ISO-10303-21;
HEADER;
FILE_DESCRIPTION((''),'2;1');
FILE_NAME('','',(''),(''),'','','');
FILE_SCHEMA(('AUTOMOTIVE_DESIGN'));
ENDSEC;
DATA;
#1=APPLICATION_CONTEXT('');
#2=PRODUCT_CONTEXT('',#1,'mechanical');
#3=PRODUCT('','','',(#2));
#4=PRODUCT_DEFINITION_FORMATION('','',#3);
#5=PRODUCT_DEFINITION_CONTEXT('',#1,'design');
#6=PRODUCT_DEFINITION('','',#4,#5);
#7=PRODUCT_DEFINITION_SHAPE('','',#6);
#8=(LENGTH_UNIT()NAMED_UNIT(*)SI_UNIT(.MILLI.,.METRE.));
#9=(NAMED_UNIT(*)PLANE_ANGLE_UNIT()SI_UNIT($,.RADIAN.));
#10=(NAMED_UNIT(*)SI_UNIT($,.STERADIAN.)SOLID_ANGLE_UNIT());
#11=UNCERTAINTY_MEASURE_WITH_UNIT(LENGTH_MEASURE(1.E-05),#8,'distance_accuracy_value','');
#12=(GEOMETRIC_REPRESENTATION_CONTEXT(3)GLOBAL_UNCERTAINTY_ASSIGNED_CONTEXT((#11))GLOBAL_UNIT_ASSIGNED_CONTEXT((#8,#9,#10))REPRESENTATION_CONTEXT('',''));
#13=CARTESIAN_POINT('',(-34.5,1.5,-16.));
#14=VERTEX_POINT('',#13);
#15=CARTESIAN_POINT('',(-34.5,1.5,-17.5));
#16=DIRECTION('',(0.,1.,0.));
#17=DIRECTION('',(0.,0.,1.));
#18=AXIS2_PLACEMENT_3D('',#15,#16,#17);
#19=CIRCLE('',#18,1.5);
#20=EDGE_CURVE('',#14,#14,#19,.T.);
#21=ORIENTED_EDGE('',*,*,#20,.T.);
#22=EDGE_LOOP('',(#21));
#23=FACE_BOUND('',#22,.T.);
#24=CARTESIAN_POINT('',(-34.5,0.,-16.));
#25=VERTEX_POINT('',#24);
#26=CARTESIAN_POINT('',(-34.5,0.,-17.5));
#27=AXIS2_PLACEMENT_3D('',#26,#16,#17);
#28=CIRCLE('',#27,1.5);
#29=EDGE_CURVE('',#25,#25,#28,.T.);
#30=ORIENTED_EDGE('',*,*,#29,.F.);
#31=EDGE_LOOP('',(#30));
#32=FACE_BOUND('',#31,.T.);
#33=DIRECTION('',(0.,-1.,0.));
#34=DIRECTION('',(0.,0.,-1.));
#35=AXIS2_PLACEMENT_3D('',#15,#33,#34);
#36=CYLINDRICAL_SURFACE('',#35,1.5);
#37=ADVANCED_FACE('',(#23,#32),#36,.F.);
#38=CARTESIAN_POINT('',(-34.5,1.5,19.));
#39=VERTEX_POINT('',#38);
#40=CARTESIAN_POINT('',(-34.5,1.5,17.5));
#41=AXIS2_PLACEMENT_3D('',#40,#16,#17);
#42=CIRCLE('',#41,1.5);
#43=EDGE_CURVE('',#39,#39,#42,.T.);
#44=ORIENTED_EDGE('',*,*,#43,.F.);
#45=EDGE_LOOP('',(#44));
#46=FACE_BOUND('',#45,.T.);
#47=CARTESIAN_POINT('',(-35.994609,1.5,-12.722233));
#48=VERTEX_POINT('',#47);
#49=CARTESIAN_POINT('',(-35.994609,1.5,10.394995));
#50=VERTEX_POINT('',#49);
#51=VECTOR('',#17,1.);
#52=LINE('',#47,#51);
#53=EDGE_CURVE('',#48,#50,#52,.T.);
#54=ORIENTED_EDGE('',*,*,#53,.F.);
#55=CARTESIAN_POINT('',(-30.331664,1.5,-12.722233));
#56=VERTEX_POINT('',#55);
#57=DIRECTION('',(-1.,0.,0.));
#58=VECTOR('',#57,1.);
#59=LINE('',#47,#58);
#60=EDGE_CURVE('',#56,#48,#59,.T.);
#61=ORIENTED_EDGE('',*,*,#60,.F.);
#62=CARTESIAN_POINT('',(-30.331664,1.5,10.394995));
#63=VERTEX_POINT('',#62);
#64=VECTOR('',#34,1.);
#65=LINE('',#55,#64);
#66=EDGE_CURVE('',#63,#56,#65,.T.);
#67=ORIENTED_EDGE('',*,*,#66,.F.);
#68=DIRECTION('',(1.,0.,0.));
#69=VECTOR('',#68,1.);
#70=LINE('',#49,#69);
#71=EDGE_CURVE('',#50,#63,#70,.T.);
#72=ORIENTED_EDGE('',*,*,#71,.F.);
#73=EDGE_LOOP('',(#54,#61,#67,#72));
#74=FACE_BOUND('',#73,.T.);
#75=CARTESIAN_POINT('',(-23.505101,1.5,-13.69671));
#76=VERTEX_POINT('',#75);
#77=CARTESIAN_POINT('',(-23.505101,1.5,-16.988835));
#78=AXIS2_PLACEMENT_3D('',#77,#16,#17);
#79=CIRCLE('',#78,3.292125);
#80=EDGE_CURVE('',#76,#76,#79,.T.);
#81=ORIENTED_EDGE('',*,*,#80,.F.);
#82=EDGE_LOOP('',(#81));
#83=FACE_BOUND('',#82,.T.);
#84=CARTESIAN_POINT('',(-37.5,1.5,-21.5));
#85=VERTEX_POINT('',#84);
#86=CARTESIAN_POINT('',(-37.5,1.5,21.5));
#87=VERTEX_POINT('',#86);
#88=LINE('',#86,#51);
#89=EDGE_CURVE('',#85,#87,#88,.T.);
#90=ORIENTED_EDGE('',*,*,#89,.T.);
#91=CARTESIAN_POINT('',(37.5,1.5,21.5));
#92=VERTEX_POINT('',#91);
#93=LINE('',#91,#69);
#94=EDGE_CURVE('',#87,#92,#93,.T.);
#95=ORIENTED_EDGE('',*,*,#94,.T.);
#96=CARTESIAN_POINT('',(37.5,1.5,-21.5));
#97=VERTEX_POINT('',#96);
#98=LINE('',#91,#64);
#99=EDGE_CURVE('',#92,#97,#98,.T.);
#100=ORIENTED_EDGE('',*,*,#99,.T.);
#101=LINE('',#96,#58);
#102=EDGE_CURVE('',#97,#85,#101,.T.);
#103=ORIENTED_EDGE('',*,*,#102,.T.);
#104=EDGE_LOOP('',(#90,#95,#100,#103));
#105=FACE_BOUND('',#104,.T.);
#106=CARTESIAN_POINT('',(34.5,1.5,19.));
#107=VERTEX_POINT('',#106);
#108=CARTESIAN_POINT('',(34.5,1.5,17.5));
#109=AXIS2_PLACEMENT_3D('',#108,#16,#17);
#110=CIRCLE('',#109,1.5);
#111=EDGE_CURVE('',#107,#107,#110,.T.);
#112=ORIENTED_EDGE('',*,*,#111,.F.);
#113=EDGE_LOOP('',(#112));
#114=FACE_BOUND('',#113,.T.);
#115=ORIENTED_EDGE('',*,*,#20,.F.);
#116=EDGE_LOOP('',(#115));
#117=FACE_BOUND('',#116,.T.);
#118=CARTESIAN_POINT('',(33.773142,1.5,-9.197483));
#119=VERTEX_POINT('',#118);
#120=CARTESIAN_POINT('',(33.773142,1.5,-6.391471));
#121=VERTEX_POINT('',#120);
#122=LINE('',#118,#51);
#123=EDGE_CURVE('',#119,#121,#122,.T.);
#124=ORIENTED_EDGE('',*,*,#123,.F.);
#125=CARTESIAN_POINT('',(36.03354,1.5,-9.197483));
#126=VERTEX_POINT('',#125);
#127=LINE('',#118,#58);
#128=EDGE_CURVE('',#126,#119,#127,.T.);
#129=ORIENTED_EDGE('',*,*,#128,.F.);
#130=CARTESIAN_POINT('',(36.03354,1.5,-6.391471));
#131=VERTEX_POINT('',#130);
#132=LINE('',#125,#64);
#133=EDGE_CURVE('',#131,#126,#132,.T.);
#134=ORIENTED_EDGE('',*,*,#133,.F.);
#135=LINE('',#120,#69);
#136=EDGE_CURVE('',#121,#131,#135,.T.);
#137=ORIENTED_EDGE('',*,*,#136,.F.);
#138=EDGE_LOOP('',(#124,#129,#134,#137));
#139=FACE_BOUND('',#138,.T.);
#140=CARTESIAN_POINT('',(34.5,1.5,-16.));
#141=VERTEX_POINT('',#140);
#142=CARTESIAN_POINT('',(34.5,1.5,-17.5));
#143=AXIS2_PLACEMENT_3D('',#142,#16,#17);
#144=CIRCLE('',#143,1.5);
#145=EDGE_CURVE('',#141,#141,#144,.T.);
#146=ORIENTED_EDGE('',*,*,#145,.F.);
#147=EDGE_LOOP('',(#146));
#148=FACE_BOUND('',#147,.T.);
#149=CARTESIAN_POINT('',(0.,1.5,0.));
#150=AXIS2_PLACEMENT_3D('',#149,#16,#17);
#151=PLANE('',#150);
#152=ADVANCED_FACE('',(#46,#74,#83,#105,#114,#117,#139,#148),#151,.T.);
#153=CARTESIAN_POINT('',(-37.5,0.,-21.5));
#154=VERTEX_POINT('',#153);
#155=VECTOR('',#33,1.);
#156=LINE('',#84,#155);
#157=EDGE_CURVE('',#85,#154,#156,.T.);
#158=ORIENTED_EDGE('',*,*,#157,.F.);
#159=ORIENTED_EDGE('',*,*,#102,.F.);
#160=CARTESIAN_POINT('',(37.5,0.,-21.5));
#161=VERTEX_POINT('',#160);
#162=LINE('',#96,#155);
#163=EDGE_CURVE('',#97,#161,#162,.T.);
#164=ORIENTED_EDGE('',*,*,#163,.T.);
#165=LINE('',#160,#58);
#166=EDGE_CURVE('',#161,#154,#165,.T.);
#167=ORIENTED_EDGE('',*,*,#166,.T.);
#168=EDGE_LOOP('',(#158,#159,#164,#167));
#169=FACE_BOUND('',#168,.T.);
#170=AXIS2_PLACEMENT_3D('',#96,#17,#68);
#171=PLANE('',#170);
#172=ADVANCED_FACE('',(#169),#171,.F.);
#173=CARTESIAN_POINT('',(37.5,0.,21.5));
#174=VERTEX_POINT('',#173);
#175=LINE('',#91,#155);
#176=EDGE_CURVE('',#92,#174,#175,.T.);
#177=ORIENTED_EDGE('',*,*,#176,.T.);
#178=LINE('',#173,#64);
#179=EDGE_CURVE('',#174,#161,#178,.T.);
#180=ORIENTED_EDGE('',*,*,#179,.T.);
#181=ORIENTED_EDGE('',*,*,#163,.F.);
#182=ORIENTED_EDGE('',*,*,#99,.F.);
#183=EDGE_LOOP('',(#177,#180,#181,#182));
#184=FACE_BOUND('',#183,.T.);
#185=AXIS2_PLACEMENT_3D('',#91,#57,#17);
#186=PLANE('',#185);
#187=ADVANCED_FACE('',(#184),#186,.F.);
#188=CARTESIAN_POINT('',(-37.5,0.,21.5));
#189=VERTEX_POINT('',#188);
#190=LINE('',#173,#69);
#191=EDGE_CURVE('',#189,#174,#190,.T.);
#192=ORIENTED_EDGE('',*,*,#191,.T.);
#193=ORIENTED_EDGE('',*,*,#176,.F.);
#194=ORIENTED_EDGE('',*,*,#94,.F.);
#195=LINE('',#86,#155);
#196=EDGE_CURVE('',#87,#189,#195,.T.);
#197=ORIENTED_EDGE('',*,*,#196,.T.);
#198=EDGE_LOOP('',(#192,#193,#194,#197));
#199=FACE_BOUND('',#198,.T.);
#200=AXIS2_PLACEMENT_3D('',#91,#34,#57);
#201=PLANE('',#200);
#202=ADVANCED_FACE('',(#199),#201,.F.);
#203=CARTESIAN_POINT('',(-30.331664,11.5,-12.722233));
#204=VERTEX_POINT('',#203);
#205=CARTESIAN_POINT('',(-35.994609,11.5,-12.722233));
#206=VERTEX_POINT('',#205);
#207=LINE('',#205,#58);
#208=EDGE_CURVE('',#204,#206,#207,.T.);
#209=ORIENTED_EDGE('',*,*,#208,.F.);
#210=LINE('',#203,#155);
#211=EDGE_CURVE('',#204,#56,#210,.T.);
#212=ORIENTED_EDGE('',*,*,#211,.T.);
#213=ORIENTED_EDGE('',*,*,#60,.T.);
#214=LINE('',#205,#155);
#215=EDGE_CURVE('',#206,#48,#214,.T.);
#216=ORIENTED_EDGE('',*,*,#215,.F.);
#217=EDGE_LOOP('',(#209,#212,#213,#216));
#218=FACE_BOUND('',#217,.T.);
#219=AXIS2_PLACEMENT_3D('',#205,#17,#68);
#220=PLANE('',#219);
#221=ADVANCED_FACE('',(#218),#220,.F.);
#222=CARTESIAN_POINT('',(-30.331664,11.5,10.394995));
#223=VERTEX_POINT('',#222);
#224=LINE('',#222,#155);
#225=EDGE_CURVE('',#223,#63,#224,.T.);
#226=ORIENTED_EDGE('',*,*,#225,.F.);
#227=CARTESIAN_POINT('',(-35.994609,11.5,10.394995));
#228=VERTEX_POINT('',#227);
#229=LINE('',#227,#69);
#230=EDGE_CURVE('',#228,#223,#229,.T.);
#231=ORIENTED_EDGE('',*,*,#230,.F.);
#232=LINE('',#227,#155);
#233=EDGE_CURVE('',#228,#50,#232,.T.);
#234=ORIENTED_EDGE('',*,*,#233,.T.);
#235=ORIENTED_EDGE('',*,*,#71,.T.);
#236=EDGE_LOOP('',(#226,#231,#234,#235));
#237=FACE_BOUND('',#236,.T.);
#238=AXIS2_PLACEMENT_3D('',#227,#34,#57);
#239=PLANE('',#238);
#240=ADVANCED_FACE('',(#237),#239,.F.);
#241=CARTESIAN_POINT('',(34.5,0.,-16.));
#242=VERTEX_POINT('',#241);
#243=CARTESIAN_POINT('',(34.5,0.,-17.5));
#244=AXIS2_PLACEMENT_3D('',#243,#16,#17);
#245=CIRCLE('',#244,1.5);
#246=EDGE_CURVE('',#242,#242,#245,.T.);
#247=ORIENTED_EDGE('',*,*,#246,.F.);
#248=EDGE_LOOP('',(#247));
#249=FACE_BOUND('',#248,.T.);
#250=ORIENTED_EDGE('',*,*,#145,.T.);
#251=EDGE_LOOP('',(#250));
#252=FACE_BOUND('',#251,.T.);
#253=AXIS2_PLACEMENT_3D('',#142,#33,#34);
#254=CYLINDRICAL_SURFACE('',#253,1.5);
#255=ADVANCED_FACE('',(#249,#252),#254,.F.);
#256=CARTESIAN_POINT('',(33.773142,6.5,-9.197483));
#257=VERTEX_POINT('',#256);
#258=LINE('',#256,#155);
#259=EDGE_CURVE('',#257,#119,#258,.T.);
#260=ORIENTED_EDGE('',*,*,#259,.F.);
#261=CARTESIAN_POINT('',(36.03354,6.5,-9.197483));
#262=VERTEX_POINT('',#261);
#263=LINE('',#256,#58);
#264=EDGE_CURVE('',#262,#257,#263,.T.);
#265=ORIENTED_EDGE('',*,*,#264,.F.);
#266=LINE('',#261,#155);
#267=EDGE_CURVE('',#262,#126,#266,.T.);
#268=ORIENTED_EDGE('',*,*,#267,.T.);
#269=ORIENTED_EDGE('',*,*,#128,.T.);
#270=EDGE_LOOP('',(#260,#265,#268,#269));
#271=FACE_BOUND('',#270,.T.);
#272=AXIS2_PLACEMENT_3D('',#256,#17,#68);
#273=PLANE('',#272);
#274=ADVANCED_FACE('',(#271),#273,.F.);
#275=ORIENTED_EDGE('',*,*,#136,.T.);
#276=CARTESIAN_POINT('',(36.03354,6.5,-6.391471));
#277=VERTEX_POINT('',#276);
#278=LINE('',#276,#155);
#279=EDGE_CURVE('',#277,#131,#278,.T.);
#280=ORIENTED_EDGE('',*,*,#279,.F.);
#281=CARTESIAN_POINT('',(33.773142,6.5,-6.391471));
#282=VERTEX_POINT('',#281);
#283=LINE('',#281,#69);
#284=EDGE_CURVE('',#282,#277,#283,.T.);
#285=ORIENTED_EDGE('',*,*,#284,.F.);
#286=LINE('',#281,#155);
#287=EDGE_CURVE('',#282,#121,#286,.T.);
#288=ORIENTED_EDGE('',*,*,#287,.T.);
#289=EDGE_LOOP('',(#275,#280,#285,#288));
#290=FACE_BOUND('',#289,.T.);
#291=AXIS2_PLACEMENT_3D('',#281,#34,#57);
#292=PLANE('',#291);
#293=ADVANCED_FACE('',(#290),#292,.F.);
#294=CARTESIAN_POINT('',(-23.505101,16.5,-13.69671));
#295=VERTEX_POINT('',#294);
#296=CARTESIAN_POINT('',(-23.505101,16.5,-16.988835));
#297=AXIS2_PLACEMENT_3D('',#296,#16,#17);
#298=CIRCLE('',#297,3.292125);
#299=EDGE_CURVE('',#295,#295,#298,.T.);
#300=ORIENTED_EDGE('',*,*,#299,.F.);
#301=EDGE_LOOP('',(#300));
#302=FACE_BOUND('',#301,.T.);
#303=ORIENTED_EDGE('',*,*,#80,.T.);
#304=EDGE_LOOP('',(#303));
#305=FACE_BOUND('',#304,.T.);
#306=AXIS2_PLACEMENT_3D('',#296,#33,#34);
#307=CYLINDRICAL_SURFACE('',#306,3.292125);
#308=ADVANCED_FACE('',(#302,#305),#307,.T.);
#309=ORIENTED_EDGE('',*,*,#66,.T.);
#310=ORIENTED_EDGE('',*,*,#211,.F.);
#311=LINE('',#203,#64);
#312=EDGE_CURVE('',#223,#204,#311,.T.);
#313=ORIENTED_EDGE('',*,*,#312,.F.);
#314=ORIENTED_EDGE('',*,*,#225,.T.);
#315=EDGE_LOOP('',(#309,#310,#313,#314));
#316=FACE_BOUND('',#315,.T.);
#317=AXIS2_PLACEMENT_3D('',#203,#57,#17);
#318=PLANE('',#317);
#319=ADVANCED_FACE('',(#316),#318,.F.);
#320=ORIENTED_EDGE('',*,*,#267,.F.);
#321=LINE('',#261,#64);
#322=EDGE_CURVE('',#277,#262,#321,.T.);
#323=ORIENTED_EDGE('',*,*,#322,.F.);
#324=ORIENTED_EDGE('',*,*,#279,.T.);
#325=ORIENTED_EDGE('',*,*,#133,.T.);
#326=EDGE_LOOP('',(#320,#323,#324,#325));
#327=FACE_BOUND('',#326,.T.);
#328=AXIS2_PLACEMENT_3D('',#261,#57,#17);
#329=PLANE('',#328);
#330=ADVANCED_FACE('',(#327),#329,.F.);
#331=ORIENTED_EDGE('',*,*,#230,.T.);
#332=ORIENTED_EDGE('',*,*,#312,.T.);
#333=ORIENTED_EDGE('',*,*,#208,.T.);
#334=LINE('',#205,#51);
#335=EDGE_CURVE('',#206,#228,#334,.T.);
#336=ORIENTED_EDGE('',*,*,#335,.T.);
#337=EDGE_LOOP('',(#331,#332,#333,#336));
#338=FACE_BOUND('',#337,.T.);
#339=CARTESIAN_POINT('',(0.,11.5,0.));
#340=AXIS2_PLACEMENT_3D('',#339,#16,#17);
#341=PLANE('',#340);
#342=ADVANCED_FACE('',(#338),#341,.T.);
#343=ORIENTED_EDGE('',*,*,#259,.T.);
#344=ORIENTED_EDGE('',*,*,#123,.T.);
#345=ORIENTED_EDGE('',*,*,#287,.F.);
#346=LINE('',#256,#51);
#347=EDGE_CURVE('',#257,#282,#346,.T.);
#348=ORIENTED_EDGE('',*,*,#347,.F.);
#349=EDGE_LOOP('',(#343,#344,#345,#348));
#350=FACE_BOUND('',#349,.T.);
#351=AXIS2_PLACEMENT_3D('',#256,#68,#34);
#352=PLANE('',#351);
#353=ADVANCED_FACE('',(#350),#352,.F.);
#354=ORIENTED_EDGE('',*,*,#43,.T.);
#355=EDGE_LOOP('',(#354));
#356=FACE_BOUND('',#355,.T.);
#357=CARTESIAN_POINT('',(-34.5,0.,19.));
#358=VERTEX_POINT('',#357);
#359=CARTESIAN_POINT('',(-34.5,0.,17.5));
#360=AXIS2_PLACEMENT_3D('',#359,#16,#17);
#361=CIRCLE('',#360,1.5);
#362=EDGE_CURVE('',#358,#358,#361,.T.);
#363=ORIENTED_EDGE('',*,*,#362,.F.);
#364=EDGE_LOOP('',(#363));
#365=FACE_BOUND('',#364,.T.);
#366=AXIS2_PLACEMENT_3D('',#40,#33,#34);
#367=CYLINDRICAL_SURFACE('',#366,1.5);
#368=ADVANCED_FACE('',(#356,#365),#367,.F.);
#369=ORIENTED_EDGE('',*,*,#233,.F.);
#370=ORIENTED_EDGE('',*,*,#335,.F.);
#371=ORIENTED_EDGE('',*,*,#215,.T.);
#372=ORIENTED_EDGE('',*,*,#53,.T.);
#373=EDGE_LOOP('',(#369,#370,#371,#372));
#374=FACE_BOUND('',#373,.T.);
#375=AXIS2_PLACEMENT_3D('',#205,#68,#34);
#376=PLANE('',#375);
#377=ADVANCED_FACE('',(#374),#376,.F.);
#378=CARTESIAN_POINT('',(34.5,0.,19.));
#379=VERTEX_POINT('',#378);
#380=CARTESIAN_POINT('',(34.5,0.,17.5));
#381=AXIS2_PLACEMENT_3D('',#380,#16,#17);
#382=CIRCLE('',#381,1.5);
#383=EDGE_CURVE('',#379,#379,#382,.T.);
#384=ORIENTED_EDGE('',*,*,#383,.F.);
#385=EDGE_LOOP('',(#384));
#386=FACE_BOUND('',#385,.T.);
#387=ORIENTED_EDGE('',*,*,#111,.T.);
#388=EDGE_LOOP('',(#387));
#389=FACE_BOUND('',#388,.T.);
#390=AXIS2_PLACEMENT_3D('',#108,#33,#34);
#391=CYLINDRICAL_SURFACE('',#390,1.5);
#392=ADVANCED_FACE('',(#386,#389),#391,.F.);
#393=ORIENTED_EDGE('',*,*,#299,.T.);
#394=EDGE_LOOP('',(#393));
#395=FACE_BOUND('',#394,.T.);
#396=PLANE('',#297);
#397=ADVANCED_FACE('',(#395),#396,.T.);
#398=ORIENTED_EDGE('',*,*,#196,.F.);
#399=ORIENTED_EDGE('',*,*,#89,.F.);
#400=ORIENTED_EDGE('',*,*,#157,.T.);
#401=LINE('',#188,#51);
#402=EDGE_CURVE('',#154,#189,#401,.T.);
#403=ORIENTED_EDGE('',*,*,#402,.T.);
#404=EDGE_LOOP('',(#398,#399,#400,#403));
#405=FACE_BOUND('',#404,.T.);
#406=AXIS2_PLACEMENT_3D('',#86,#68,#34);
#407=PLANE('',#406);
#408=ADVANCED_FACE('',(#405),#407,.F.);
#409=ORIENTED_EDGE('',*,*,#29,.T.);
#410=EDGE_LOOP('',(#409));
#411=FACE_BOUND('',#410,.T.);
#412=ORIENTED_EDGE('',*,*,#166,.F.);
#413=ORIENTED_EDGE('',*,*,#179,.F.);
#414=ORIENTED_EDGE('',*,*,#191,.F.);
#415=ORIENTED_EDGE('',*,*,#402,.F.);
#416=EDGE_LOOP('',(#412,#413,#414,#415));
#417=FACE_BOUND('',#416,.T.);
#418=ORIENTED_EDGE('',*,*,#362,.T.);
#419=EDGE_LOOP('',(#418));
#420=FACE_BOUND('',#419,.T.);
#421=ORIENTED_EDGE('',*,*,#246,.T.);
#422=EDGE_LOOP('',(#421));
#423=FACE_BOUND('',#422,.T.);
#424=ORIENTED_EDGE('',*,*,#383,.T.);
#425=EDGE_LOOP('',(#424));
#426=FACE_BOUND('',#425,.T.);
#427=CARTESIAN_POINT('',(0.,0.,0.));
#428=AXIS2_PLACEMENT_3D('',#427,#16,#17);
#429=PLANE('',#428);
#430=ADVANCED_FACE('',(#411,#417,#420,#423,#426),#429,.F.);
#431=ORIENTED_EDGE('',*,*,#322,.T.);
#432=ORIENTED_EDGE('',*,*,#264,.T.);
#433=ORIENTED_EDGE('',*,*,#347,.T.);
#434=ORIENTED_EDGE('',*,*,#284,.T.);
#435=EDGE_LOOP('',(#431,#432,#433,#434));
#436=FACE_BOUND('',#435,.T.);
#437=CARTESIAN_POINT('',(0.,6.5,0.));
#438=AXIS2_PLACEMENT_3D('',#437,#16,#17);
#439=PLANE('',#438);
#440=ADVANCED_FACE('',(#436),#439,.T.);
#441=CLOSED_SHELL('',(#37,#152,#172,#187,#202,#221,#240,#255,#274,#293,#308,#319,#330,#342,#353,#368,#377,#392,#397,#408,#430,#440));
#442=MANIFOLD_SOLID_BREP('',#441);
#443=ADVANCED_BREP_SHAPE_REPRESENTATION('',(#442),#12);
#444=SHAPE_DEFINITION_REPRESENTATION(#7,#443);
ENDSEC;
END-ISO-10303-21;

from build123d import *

# Parameters (mm, degrees)
SKETCH1_W           = 75
SKETCH1_H           = 43
SKETCH1_R           = 1.5
BOSS_EXTRUDE1_DEPTH = 1.5
SKETCH3_W           = 5.662945026
SKETCH3_H           = 23.11722764
BOSS_EXTRUDE2_DEPTH = 10
SKETCH4_W           = 2.260398275
SKETCH4_H           = 2.806011651
BOSS_EXTRUDE3_DEPTH = 5
SKETCH5_R           = 3.292125191
BOSS_EXTRUDE4_DEPTH = 15


with BuildPart() as part:
    # Sketch1 → Boss-Extrude1 (new body)
    with BuildSketch(Plane(origin=(0, 0, 0), x_dir=(1, 0, 0), z_dir=(0, 1, 0))):
        Rectangle(SKETCH1_W, SKETCH1_H)
        with Locations((-34.5, 17.5)):
            Circle(SKETCH1_R, mode=Mode.SUBTRACT)
        with Locations((-34.5, -17.5)):
            Circle(SKETCH1_R, mode=Mode.SUBTRACT)
        with Locations((34.5, -17.5)):
            Circle(SKETCH1_R, mode=Mode.SUBTRACT)
        with Locations((34.5, 17.5)):
            Circle(SKETCH1_R, mode=Mode.SUBTRACT)
    extrude(amount=BOSS_EXTRUDE1_DEPTH)

    # Sketch3 → Boss-Extrude2 (add)
    with BuildSketch(Plane(origin=(0, 1.5, 0), x_dir=(1, 0, 0), z_dir=(0, 1, 0))):
        with Locations((-33.163136966, 1.163618841)):
            Rectangle(SKETCH3_W, SKETCH3_H)
    extrude(amount=BOSS_EXTRUDE2_DEPTH)

    # Sketch4 → Boss-Extrude3 (add)
    with BuildSketch(Plane(origin=(0, 1.5, 0), x_dir=(1, 0, 0), z_dir=(0, 1, 0))):
        with Locations((34.903340681, 7.794476809)):
            Rectangle(SKETCH4_W, SKETCH4_H)
    extrude(amount=BOSS_EXTRUDE3_DEPTH)

    # Sketch5 → Boss-Extrude4 (add)
    with BuildSketch(Plane(origin=(0, 1.5, 0), x_dir=(1, 0, 0), z_dir=(0, 1, 0))):
        with Locations((-23.505100586, 16.988835077)):
            Circle(SKETCH5_R)
    extrude(amount=BOSS_EXTRUDE4_DEPTH)


solid = part.part
